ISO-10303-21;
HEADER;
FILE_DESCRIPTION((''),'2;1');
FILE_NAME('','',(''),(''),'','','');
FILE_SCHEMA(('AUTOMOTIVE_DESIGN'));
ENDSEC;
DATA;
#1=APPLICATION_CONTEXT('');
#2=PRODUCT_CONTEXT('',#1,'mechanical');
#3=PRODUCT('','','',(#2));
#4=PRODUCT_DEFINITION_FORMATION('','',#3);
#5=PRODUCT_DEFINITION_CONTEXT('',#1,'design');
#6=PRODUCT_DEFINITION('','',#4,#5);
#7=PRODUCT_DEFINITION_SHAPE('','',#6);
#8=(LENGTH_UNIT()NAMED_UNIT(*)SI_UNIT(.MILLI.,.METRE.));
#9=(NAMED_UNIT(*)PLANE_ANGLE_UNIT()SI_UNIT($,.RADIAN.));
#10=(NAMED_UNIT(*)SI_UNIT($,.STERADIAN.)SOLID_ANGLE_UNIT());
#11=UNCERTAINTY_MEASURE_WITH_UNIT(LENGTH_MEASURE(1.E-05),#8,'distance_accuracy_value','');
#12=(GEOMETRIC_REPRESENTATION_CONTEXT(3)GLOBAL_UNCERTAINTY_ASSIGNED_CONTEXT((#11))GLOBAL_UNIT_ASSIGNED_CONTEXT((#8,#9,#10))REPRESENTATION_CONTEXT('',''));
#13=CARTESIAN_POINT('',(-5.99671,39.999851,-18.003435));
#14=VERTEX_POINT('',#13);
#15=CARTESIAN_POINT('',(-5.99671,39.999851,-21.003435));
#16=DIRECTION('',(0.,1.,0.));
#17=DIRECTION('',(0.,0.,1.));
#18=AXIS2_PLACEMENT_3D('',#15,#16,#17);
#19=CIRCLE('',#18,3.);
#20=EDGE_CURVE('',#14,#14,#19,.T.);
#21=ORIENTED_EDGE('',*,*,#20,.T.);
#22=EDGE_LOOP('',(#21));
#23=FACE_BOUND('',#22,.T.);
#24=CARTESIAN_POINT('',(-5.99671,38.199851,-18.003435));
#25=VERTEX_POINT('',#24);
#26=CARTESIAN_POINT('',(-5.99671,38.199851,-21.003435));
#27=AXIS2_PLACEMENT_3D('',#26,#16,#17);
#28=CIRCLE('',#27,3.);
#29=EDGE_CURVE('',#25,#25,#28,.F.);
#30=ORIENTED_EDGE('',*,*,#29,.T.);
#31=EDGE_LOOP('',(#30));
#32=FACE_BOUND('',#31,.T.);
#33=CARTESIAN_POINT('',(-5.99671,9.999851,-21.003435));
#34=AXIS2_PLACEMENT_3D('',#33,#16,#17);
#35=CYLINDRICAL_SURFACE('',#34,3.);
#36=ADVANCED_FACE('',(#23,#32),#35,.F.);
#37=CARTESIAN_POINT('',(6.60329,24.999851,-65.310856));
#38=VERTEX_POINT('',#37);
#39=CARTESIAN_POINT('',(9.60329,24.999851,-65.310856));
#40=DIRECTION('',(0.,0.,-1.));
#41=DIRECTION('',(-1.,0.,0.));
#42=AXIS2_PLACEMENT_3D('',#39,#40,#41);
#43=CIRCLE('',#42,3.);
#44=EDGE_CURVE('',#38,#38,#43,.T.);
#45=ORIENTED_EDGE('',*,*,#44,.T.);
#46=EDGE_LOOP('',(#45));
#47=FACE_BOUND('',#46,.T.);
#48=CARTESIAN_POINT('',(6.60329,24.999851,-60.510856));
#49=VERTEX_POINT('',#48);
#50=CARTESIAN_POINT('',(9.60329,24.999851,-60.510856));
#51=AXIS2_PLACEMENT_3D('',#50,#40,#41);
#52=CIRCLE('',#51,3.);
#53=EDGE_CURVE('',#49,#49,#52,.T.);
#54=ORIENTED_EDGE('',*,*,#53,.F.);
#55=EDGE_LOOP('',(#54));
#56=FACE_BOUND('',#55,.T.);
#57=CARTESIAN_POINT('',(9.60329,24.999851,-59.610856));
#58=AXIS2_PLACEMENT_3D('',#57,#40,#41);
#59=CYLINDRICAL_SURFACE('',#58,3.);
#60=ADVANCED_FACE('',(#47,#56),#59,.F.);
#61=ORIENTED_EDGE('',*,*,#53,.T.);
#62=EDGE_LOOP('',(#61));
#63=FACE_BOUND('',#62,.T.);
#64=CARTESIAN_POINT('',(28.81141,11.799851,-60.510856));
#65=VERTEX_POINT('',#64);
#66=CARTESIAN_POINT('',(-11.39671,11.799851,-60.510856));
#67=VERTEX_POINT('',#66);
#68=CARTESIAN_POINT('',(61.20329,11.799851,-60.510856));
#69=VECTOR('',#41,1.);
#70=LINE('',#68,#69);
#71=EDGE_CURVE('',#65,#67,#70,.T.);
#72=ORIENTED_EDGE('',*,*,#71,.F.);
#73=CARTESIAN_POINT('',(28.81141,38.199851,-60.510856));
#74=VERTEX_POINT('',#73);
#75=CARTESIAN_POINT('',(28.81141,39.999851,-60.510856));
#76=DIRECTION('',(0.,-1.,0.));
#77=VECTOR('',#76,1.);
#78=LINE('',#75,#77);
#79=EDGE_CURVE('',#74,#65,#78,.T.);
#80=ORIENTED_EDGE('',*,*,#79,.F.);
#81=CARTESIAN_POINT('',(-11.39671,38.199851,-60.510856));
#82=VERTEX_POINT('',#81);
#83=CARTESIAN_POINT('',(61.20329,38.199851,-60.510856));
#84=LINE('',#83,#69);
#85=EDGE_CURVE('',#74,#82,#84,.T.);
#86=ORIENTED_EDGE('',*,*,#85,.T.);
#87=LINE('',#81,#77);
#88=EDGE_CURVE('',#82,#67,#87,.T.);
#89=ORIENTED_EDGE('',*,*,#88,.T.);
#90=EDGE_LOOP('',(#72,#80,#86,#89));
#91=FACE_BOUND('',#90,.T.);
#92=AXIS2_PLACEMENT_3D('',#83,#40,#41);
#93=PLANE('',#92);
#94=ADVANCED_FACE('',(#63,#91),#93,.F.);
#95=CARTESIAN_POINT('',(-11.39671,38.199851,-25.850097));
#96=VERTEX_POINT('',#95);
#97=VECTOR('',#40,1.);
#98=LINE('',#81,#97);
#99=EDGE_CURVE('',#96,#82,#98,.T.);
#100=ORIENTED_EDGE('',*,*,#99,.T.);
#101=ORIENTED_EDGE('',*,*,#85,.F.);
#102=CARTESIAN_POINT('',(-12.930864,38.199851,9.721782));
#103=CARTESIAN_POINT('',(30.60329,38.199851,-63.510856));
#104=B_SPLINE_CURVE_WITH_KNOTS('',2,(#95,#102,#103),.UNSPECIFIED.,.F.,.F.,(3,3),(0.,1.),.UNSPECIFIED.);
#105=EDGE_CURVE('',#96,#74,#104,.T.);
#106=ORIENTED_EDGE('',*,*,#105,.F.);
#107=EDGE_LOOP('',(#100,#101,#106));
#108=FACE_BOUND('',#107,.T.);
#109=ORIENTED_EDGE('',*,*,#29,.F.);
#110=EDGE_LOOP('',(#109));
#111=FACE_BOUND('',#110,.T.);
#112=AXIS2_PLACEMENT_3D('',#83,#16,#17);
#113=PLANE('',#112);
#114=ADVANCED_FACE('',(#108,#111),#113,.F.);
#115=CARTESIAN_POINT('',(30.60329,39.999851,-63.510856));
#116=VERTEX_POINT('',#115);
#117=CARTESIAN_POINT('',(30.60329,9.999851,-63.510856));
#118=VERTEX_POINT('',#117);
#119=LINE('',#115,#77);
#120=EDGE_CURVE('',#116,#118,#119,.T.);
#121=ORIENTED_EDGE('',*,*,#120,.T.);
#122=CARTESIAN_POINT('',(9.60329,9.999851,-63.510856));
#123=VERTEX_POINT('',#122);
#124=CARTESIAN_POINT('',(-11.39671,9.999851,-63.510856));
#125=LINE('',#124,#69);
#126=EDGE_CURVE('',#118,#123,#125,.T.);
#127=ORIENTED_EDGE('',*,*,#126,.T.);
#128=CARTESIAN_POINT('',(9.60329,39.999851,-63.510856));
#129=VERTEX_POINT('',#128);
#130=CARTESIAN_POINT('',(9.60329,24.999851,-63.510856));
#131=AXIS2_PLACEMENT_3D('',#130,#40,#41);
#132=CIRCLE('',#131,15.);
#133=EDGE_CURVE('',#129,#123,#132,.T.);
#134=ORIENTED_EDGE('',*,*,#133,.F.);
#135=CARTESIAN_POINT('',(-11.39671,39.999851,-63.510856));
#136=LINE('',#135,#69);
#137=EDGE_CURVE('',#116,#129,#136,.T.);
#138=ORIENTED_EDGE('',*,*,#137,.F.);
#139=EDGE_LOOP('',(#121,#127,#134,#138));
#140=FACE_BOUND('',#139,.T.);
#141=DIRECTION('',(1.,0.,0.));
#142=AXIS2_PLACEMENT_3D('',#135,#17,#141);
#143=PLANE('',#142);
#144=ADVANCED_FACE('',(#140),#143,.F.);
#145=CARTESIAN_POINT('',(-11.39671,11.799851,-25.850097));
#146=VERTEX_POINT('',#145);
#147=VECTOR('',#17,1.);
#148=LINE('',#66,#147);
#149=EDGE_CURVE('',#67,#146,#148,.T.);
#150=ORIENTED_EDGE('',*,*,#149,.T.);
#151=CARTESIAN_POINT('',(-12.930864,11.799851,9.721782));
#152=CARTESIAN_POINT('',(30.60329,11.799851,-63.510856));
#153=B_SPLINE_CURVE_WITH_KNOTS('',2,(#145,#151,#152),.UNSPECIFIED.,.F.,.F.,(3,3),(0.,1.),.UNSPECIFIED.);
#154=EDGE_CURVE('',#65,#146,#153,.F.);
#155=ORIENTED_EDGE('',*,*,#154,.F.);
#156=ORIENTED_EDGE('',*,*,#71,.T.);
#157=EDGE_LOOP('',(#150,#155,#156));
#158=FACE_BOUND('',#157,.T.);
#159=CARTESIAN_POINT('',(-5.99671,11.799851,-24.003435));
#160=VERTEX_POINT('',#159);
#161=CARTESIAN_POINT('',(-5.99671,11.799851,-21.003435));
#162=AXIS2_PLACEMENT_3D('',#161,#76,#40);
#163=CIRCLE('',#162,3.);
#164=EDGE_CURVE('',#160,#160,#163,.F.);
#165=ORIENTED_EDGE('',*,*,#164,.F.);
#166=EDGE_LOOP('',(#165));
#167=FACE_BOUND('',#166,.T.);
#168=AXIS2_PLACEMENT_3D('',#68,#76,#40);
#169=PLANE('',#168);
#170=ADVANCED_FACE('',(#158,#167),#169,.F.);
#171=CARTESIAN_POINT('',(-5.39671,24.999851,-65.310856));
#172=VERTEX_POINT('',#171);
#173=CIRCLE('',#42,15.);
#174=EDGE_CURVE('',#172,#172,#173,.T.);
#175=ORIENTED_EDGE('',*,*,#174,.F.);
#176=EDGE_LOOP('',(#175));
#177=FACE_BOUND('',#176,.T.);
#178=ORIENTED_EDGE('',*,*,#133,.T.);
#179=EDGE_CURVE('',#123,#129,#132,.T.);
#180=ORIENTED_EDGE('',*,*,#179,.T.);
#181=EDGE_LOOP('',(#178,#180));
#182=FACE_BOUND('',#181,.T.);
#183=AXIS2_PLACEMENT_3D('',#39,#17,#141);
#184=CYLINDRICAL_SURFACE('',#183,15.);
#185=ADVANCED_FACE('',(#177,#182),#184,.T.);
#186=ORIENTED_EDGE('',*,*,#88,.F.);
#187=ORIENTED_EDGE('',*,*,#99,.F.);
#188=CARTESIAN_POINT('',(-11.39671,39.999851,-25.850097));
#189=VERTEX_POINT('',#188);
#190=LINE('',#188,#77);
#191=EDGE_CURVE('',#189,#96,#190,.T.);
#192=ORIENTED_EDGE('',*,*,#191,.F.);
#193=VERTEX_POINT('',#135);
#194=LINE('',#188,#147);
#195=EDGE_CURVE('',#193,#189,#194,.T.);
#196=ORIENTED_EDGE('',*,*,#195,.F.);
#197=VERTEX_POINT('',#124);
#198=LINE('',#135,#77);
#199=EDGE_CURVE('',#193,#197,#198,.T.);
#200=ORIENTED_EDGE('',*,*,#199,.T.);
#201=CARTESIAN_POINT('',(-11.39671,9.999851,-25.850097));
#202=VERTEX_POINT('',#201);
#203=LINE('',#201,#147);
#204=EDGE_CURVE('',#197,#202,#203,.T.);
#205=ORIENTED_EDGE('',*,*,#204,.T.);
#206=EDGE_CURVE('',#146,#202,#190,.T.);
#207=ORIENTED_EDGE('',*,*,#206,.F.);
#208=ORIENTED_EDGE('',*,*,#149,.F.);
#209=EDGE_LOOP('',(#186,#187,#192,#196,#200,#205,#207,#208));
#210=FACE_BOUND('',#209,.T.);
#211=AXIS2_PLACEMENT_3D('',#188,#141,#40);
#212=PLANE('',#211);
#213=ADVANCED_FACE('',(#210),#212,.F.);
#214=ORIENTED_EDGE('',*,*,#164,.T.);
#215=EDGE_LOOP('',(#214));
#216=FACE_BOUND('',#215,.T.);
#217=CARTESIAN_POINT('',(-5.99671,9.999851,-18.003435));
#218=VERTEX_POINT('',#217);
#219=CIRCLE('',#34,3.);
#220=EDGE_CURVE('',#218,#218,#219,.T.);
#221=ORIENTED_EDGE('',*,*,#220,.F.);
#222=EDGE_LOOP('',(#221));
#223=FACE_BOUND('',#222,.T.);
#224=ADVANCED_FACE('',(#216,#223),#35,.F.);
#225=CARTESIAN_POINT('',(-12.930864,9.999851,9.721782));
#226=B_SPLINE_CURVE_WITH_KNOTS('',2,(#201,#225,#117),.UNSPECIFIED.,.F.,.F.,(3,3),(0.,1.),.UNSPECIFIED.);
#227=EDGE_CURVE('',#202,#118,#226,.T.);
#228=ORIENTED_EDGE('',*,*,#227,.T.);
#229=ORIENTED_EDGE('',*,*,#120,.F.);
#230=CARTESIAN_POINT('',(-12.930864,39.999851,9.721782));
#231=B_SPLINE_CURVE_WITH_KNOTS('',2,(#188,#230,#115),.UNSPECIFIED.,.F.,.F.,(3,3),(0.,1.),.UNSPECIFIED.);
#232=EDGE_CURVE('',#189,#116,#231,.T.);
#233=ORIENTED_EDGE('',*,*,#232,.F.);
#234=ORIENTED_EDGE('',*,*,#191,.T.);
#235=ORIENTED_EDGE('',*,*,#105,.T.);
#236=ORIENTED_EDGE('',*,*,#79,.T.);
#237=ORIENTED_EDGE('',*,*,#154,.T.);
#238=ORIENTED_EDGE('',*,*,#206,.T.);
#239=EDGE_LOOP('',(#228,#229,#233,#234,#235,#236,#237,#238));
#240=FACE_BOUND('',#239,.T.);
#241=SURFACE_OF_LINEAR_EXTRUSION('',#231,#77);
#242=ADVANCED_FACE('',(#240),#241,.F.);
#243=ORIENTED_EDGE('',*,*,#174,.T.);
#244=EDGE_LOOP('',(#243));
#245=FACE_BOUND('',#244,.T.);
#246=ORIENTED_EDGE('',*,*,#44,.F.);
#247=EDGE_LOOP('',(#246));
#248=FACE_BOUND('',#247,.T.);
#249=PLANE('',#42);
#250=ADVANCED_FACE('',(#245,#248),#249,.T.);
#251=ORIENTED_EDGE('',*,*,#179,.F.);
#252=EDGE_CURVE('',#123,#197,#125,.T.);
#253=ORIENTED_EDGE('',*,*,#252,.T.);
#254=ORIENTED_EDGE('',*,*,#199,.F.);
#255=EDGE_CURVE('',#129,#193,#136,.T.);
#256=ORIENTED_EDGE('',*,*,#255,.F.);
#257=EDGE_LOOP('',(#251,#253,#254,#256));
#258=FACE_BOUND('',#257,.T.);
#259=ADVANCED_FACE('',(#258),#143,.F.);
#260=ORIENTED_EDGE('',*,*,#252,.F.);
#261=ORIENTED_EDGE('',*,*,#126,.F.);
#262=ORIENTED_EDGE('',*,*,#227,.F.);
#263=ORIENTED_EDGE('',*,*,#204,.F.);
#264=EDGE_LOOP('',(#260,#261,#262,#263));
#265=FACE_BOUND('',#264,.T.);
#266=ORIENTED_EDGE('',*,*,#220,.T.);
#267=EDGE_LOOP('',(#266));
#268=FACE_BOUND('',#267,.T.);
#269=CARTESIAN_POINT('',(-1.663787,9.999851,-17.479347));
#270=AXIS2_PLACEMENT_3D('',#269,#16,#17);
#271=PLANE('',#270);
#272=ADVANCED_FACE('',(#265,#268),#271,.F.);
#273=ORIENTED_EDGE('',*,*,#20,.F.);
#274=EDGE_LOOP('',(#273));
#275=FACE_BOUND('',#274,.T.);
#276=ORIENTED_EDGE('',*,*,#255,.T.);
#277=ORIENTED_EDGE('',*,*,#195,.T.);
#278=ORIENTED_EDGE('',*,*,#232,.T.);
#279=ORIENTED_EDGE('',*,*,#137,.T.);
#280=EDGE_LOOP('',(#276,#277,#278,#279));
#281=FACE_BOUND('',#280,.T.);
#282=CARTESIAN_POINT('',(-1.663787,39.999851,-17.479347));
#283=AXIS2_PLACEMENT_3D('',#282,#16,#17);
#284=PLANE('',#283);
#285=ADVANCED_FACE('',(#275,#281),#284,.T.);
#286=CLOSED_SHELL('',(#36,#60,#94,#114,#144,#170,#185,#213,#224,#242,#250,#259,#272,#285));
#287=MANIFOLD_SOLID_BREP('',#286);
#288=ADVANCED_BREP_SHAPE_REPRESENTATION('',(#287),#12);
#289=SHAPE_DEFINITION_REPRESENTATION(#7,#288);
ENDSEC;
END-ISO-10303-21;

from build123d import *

# Parameters (mm, degrees)
EXTRUDE_1_DEPTH      = 50
SKETCH_2_R           = 4.999999999999998
CUT_EXTRUDE_1_DEPTH  = 98.87084830229739
SKETCH_3_R           = 15
EXTRUDE_2_DEPTH      = 3
CUT_EXTRUDE_3_REACH  = 108.899
SKETCH_5_R           = 5.000000000000001
SKETCH_6_R           = 5.0000000000000036
CUT_EXTRUDE_5_DEPTH  = 107.89919436089083
CUT_EXTRUDE_7_DEPTH  = 120.99999999999977
CUT_EXTRUDE_10_DEPTH = 10
SKETCH_9_R           = 25
SKETCH_9_R_2         = 15
EXTRUDE_3_DEPTH      = 3
SKETCH_10_R          = 5.0000000000000036
EXTRUDE_4_DEPTH      = 8
SKETCH_11_W          = 70
SKETCH_11_H          = 50.00000000000001
CUT_EXTRUDE_11_DEPTH = 8
SKETCH_12_R          = 25.000000000000004
EXTRUDE_6_DEPTH      = 3
CUT_EXTRUDE_14_DEPTH = 6.500000000000001
SCALE_1_SCALE        = 0.5
SCALE_2_SCALE        = 1.2


with BuildPart() as part:
    # 草图1 → 凸台-拉伸1 (new body)
    with BuildSketch(Plane(origin=(0, 0, 0), x_dir=(1, 0, 0), z_dir=(0, 1, 0))):
        with BuildLine():
            Line((-23.323422211177558, 7.232068902691513), (-23.323422211177558, 70))
            Line((-23.323422211177558, 70), (46.67657778882245, 70))
            add(Edge.make_bspline(
                [(46.67657778882245, 70), (-25.880344692728325, -52.054397164609135), (-23.323422211177558, 7.232068902691513)],
                knots=[0, 0, 0, 1, 1, 1], degree=2))
        make_face()
    extrude(amount=EXTRUDE_1_DEPTH)

    # 草图2 → 切除-拉伸1 (cut, through all)
    with BuildSketch(Plane(origin=(0, 50, 0), x_dir=(1, 0, 0), z_dir=(0, 1, 0))):
        with Locations(Location((-14.323422211177558, -0.8457019663808466, 0), (0, 0, 270))):
            Circle(SKETCH_2_R)
    extrude(amount=-CUT_EXTRUDE_1_DEPTH, mode=Mode.SUBTRACT)

    # 草图3 → 凸台-拉伸2 (add)
    with BuildSketch(Plane(origin=(0, 0, -70), x_dir=(-1, 0, 0), z_dir=(0, 0, -1))):
        with Locations(Location((-21.676577788822446, 25, 0), (0, 0, 180))):
            Circle(SKETCH_3_R)
    extrude(amount=EXTRUDE_2_DEPTH)

    # 草图5 → 切除-拉伸3 (cut, up to next)
    with BuildSketch(Plane(origin=(0, 0, -70), x_dir=(-1, 0, 0), z_dir=(0, 0, -1)), mode=Mode.PRIVATE) as cut_extrude_3_sk1:
        with Locations((-21.676577788822446, 25)):
            Circle(SKETCH_5_R)
    cut_extrude_3_tool1 = extrude(cut_extrude_3_sk1.sketch, amount=-CUT_EXTRUDE_3_REACH, mode=Mode.PRIVATE) & part.part
    add(cut_extrude_3_tool1.solids().sort_by_distance((21.676578, 25, -70))[0], mode=Mode.SUBTRACT)

    # 草图6 → 切除-拉伸5 (cut, through all)
    with BuildSketch(Plane.XY.offset(-70)):
        with Locations(Location((21.676577788822446, 25, 0), (0, 0, 180))):
            Circle(SKETCH_6_R)
    extrude(amount=-CUT_EXTRUDE_5_DEPTH, mode=Mode.SUBTRACT)

    # 草图7 → 切除-拉伸7 (cut)
    with BuildSketch(Plane.ZY.offset(23.323422211177558)):
        Polygon((-65.00000000000001, 47), (34.99999999999999, 47), (34.99999999999999, 3.0000000000000027), (-65.00000000000001, 3.0000000000000018), align=None)
    extrude(amount=-CUT_EXTRUDE_7_DEPTH, mode=Mode.SUBTRACT)

    # 草图8 → 切除-拉伸10 (cut)
    with BuildSketch(Plane(origin=(-23.323422211177558, 0, 0), x_dir=(0, 0, -1), z_dir=(1, 0, 0))):
        Polygon((7.232068902691513, 3.0000000000000027), (7.232068902691513, 47), (4.887844e-11, 47), (4.887757e-11, 3.000000000000002), align=None)
    extrude(amount=-CUT_EXTRUDE_10_DEPTH, mode=Mode.SUBTRACT)

    # 草图9 → 凸台-拉伸3 (add)
    with BuildSketch(Plane(origin=(0, 0, -70), x_dir=(-1, 0, 0), z_dir=(0, 0, -1))):
        with Locations(Location((-21.676577788822446, 25, 0), (0, 0, 180))):
            Circle(SKETCH_9_R)
        with Locations((-21.676577788822446, 25)):
            Circle(SKETCH_9_R_2, mode=Mode.SUBTRACT)
    extrude(amount=EXTRUDE_3_DEPTH)

    # 草图10 → 凸台-拉伸4 (add)
    with BuildSketch(Plane(origin=(0, 0, -73.00000000000001), x_dir=(-1, 0, 0), z_dir=(0, 0, -1))):
        with Locations((-21.676577788822446, 25)):
            Circle(SKETCH_10_R)
    extrude(amount=-EXTRUDE_4_DEPTH)

    # 草图11 → 切除-拉伸11 (cut)
    with BuildSketch(Plane(origin=(0, 0, -70), x_dir=(-1, 0, 0), z_dir=(0, 0, -1))):
        with Locations((-11.676577788822447, 25.000000000000004)):
            Rectangle(SKETCH_11_W, SKETCH_11_H)
    extrude(amount=CUT_EXTRUDE_11_DEPTH, mode=Mode.SUBTRACT)

    # 草图12 → 凸台-拉伸6 (add)
    with BuildSketch(Plane(origin=(0, 0, -70), x_dir=(-1, 0, 0), z_dir=(0, 0, -1))):
        with Locations(Location((-11.676577788822453, 25.000000000000004, 0), (0, 0, 270))):
            Circle(SKETCH_12_R)
    extrude(amount=EXTRUDE_6_DEPTH)

    # 草图19 → 切除-拉伸14 (cut, symmetric)
    with BuildSketch(Plane(origin=(0, 0, -70), x_dir=(-1, 0, 0), z_dir=(0, 0, -1))):
        with BuildLine():
            ThreePointArc((-7.607910432788657, 27.906190968595336), (-11.676577788822362, 30.000000000000004), (-15.745245144856133, 27.90619096859546))
            Line((-15.745245144856124, 27.90619096859548), (-11.676577788822456, 25.000000000000004))
            Line((-11.676577788822442, 25), (-7.607910432788756, 27.90619096859549))
        make_face()
        with BuildLine():
            Line((-11.676577788822456, 25.000000000000004), (-15.745245144856124, 27.90619096859548))
            ThreePointArc((-15.745245144856133, 27.90619096859546), (-16.67657778882244, 25), (-15.745245144856128, 22.09380903140454))
            Line((-15.745245144856106, 22.093809031404525), (-11.676577788822442, 25))
        make_face()
        with BuildLine():
            Line((-7.607910432788756, 27.90619096859549), (-11.676577788822442, 25))
            Line((-11.676577788822456, 25.000000000000004), (-7.607910432788778, 22.09380903140452))
            ThreePointArc((-7.607910432788663, 22.09380903140466), (-6.915100246075392, 23.47411284496017), (-6.676577788822438, 25.000000000000004))
            ThreePointArc((-6.676577788822438, 25.000000000000004), (-6.915100246075391, 26.525887155039833), (-7.607910432788657, 27.906190968595336))
        make_face()
        with BuildLine():
            Line((-7.607910432788778, 22.09380903140452), (-11.676577788822456, 25.000000000000004))
            Line((-11.676577788822442, 25), (-15.745245144856106, 22.093809031404525))
            ThreePointArc((-15.745245144856128, 22.09380903140454), (-11.676577788822364, 20.000000000000004), (-7.607910432788663, 22.09380903140466))
        make_face()
    extrude(amount=CUT_EXTRUDE_14_DEPTH, both=True, mode=Mode.SUBTRACT)


with BuildPart() as part_1:
    # 缩放比例1: scaled about (6.493831083, 24.99994197, -53.778737611)
    add(part.part.scale(SCALE_1_SCALE).moved(Location((3.2469155415, 12.499970985, -26.8893688055))))


with BuildPart() as part_2:
    # 缩放比例2: scaled about (6.493831083, 24.99994197, -53.778737611)
    add(part_1.part.scale(SCALE_2_SCALE).moved(Location((-1.2987662165999998, -4.999988393999999, 10.755747522199997))))


solid = part_2.part
